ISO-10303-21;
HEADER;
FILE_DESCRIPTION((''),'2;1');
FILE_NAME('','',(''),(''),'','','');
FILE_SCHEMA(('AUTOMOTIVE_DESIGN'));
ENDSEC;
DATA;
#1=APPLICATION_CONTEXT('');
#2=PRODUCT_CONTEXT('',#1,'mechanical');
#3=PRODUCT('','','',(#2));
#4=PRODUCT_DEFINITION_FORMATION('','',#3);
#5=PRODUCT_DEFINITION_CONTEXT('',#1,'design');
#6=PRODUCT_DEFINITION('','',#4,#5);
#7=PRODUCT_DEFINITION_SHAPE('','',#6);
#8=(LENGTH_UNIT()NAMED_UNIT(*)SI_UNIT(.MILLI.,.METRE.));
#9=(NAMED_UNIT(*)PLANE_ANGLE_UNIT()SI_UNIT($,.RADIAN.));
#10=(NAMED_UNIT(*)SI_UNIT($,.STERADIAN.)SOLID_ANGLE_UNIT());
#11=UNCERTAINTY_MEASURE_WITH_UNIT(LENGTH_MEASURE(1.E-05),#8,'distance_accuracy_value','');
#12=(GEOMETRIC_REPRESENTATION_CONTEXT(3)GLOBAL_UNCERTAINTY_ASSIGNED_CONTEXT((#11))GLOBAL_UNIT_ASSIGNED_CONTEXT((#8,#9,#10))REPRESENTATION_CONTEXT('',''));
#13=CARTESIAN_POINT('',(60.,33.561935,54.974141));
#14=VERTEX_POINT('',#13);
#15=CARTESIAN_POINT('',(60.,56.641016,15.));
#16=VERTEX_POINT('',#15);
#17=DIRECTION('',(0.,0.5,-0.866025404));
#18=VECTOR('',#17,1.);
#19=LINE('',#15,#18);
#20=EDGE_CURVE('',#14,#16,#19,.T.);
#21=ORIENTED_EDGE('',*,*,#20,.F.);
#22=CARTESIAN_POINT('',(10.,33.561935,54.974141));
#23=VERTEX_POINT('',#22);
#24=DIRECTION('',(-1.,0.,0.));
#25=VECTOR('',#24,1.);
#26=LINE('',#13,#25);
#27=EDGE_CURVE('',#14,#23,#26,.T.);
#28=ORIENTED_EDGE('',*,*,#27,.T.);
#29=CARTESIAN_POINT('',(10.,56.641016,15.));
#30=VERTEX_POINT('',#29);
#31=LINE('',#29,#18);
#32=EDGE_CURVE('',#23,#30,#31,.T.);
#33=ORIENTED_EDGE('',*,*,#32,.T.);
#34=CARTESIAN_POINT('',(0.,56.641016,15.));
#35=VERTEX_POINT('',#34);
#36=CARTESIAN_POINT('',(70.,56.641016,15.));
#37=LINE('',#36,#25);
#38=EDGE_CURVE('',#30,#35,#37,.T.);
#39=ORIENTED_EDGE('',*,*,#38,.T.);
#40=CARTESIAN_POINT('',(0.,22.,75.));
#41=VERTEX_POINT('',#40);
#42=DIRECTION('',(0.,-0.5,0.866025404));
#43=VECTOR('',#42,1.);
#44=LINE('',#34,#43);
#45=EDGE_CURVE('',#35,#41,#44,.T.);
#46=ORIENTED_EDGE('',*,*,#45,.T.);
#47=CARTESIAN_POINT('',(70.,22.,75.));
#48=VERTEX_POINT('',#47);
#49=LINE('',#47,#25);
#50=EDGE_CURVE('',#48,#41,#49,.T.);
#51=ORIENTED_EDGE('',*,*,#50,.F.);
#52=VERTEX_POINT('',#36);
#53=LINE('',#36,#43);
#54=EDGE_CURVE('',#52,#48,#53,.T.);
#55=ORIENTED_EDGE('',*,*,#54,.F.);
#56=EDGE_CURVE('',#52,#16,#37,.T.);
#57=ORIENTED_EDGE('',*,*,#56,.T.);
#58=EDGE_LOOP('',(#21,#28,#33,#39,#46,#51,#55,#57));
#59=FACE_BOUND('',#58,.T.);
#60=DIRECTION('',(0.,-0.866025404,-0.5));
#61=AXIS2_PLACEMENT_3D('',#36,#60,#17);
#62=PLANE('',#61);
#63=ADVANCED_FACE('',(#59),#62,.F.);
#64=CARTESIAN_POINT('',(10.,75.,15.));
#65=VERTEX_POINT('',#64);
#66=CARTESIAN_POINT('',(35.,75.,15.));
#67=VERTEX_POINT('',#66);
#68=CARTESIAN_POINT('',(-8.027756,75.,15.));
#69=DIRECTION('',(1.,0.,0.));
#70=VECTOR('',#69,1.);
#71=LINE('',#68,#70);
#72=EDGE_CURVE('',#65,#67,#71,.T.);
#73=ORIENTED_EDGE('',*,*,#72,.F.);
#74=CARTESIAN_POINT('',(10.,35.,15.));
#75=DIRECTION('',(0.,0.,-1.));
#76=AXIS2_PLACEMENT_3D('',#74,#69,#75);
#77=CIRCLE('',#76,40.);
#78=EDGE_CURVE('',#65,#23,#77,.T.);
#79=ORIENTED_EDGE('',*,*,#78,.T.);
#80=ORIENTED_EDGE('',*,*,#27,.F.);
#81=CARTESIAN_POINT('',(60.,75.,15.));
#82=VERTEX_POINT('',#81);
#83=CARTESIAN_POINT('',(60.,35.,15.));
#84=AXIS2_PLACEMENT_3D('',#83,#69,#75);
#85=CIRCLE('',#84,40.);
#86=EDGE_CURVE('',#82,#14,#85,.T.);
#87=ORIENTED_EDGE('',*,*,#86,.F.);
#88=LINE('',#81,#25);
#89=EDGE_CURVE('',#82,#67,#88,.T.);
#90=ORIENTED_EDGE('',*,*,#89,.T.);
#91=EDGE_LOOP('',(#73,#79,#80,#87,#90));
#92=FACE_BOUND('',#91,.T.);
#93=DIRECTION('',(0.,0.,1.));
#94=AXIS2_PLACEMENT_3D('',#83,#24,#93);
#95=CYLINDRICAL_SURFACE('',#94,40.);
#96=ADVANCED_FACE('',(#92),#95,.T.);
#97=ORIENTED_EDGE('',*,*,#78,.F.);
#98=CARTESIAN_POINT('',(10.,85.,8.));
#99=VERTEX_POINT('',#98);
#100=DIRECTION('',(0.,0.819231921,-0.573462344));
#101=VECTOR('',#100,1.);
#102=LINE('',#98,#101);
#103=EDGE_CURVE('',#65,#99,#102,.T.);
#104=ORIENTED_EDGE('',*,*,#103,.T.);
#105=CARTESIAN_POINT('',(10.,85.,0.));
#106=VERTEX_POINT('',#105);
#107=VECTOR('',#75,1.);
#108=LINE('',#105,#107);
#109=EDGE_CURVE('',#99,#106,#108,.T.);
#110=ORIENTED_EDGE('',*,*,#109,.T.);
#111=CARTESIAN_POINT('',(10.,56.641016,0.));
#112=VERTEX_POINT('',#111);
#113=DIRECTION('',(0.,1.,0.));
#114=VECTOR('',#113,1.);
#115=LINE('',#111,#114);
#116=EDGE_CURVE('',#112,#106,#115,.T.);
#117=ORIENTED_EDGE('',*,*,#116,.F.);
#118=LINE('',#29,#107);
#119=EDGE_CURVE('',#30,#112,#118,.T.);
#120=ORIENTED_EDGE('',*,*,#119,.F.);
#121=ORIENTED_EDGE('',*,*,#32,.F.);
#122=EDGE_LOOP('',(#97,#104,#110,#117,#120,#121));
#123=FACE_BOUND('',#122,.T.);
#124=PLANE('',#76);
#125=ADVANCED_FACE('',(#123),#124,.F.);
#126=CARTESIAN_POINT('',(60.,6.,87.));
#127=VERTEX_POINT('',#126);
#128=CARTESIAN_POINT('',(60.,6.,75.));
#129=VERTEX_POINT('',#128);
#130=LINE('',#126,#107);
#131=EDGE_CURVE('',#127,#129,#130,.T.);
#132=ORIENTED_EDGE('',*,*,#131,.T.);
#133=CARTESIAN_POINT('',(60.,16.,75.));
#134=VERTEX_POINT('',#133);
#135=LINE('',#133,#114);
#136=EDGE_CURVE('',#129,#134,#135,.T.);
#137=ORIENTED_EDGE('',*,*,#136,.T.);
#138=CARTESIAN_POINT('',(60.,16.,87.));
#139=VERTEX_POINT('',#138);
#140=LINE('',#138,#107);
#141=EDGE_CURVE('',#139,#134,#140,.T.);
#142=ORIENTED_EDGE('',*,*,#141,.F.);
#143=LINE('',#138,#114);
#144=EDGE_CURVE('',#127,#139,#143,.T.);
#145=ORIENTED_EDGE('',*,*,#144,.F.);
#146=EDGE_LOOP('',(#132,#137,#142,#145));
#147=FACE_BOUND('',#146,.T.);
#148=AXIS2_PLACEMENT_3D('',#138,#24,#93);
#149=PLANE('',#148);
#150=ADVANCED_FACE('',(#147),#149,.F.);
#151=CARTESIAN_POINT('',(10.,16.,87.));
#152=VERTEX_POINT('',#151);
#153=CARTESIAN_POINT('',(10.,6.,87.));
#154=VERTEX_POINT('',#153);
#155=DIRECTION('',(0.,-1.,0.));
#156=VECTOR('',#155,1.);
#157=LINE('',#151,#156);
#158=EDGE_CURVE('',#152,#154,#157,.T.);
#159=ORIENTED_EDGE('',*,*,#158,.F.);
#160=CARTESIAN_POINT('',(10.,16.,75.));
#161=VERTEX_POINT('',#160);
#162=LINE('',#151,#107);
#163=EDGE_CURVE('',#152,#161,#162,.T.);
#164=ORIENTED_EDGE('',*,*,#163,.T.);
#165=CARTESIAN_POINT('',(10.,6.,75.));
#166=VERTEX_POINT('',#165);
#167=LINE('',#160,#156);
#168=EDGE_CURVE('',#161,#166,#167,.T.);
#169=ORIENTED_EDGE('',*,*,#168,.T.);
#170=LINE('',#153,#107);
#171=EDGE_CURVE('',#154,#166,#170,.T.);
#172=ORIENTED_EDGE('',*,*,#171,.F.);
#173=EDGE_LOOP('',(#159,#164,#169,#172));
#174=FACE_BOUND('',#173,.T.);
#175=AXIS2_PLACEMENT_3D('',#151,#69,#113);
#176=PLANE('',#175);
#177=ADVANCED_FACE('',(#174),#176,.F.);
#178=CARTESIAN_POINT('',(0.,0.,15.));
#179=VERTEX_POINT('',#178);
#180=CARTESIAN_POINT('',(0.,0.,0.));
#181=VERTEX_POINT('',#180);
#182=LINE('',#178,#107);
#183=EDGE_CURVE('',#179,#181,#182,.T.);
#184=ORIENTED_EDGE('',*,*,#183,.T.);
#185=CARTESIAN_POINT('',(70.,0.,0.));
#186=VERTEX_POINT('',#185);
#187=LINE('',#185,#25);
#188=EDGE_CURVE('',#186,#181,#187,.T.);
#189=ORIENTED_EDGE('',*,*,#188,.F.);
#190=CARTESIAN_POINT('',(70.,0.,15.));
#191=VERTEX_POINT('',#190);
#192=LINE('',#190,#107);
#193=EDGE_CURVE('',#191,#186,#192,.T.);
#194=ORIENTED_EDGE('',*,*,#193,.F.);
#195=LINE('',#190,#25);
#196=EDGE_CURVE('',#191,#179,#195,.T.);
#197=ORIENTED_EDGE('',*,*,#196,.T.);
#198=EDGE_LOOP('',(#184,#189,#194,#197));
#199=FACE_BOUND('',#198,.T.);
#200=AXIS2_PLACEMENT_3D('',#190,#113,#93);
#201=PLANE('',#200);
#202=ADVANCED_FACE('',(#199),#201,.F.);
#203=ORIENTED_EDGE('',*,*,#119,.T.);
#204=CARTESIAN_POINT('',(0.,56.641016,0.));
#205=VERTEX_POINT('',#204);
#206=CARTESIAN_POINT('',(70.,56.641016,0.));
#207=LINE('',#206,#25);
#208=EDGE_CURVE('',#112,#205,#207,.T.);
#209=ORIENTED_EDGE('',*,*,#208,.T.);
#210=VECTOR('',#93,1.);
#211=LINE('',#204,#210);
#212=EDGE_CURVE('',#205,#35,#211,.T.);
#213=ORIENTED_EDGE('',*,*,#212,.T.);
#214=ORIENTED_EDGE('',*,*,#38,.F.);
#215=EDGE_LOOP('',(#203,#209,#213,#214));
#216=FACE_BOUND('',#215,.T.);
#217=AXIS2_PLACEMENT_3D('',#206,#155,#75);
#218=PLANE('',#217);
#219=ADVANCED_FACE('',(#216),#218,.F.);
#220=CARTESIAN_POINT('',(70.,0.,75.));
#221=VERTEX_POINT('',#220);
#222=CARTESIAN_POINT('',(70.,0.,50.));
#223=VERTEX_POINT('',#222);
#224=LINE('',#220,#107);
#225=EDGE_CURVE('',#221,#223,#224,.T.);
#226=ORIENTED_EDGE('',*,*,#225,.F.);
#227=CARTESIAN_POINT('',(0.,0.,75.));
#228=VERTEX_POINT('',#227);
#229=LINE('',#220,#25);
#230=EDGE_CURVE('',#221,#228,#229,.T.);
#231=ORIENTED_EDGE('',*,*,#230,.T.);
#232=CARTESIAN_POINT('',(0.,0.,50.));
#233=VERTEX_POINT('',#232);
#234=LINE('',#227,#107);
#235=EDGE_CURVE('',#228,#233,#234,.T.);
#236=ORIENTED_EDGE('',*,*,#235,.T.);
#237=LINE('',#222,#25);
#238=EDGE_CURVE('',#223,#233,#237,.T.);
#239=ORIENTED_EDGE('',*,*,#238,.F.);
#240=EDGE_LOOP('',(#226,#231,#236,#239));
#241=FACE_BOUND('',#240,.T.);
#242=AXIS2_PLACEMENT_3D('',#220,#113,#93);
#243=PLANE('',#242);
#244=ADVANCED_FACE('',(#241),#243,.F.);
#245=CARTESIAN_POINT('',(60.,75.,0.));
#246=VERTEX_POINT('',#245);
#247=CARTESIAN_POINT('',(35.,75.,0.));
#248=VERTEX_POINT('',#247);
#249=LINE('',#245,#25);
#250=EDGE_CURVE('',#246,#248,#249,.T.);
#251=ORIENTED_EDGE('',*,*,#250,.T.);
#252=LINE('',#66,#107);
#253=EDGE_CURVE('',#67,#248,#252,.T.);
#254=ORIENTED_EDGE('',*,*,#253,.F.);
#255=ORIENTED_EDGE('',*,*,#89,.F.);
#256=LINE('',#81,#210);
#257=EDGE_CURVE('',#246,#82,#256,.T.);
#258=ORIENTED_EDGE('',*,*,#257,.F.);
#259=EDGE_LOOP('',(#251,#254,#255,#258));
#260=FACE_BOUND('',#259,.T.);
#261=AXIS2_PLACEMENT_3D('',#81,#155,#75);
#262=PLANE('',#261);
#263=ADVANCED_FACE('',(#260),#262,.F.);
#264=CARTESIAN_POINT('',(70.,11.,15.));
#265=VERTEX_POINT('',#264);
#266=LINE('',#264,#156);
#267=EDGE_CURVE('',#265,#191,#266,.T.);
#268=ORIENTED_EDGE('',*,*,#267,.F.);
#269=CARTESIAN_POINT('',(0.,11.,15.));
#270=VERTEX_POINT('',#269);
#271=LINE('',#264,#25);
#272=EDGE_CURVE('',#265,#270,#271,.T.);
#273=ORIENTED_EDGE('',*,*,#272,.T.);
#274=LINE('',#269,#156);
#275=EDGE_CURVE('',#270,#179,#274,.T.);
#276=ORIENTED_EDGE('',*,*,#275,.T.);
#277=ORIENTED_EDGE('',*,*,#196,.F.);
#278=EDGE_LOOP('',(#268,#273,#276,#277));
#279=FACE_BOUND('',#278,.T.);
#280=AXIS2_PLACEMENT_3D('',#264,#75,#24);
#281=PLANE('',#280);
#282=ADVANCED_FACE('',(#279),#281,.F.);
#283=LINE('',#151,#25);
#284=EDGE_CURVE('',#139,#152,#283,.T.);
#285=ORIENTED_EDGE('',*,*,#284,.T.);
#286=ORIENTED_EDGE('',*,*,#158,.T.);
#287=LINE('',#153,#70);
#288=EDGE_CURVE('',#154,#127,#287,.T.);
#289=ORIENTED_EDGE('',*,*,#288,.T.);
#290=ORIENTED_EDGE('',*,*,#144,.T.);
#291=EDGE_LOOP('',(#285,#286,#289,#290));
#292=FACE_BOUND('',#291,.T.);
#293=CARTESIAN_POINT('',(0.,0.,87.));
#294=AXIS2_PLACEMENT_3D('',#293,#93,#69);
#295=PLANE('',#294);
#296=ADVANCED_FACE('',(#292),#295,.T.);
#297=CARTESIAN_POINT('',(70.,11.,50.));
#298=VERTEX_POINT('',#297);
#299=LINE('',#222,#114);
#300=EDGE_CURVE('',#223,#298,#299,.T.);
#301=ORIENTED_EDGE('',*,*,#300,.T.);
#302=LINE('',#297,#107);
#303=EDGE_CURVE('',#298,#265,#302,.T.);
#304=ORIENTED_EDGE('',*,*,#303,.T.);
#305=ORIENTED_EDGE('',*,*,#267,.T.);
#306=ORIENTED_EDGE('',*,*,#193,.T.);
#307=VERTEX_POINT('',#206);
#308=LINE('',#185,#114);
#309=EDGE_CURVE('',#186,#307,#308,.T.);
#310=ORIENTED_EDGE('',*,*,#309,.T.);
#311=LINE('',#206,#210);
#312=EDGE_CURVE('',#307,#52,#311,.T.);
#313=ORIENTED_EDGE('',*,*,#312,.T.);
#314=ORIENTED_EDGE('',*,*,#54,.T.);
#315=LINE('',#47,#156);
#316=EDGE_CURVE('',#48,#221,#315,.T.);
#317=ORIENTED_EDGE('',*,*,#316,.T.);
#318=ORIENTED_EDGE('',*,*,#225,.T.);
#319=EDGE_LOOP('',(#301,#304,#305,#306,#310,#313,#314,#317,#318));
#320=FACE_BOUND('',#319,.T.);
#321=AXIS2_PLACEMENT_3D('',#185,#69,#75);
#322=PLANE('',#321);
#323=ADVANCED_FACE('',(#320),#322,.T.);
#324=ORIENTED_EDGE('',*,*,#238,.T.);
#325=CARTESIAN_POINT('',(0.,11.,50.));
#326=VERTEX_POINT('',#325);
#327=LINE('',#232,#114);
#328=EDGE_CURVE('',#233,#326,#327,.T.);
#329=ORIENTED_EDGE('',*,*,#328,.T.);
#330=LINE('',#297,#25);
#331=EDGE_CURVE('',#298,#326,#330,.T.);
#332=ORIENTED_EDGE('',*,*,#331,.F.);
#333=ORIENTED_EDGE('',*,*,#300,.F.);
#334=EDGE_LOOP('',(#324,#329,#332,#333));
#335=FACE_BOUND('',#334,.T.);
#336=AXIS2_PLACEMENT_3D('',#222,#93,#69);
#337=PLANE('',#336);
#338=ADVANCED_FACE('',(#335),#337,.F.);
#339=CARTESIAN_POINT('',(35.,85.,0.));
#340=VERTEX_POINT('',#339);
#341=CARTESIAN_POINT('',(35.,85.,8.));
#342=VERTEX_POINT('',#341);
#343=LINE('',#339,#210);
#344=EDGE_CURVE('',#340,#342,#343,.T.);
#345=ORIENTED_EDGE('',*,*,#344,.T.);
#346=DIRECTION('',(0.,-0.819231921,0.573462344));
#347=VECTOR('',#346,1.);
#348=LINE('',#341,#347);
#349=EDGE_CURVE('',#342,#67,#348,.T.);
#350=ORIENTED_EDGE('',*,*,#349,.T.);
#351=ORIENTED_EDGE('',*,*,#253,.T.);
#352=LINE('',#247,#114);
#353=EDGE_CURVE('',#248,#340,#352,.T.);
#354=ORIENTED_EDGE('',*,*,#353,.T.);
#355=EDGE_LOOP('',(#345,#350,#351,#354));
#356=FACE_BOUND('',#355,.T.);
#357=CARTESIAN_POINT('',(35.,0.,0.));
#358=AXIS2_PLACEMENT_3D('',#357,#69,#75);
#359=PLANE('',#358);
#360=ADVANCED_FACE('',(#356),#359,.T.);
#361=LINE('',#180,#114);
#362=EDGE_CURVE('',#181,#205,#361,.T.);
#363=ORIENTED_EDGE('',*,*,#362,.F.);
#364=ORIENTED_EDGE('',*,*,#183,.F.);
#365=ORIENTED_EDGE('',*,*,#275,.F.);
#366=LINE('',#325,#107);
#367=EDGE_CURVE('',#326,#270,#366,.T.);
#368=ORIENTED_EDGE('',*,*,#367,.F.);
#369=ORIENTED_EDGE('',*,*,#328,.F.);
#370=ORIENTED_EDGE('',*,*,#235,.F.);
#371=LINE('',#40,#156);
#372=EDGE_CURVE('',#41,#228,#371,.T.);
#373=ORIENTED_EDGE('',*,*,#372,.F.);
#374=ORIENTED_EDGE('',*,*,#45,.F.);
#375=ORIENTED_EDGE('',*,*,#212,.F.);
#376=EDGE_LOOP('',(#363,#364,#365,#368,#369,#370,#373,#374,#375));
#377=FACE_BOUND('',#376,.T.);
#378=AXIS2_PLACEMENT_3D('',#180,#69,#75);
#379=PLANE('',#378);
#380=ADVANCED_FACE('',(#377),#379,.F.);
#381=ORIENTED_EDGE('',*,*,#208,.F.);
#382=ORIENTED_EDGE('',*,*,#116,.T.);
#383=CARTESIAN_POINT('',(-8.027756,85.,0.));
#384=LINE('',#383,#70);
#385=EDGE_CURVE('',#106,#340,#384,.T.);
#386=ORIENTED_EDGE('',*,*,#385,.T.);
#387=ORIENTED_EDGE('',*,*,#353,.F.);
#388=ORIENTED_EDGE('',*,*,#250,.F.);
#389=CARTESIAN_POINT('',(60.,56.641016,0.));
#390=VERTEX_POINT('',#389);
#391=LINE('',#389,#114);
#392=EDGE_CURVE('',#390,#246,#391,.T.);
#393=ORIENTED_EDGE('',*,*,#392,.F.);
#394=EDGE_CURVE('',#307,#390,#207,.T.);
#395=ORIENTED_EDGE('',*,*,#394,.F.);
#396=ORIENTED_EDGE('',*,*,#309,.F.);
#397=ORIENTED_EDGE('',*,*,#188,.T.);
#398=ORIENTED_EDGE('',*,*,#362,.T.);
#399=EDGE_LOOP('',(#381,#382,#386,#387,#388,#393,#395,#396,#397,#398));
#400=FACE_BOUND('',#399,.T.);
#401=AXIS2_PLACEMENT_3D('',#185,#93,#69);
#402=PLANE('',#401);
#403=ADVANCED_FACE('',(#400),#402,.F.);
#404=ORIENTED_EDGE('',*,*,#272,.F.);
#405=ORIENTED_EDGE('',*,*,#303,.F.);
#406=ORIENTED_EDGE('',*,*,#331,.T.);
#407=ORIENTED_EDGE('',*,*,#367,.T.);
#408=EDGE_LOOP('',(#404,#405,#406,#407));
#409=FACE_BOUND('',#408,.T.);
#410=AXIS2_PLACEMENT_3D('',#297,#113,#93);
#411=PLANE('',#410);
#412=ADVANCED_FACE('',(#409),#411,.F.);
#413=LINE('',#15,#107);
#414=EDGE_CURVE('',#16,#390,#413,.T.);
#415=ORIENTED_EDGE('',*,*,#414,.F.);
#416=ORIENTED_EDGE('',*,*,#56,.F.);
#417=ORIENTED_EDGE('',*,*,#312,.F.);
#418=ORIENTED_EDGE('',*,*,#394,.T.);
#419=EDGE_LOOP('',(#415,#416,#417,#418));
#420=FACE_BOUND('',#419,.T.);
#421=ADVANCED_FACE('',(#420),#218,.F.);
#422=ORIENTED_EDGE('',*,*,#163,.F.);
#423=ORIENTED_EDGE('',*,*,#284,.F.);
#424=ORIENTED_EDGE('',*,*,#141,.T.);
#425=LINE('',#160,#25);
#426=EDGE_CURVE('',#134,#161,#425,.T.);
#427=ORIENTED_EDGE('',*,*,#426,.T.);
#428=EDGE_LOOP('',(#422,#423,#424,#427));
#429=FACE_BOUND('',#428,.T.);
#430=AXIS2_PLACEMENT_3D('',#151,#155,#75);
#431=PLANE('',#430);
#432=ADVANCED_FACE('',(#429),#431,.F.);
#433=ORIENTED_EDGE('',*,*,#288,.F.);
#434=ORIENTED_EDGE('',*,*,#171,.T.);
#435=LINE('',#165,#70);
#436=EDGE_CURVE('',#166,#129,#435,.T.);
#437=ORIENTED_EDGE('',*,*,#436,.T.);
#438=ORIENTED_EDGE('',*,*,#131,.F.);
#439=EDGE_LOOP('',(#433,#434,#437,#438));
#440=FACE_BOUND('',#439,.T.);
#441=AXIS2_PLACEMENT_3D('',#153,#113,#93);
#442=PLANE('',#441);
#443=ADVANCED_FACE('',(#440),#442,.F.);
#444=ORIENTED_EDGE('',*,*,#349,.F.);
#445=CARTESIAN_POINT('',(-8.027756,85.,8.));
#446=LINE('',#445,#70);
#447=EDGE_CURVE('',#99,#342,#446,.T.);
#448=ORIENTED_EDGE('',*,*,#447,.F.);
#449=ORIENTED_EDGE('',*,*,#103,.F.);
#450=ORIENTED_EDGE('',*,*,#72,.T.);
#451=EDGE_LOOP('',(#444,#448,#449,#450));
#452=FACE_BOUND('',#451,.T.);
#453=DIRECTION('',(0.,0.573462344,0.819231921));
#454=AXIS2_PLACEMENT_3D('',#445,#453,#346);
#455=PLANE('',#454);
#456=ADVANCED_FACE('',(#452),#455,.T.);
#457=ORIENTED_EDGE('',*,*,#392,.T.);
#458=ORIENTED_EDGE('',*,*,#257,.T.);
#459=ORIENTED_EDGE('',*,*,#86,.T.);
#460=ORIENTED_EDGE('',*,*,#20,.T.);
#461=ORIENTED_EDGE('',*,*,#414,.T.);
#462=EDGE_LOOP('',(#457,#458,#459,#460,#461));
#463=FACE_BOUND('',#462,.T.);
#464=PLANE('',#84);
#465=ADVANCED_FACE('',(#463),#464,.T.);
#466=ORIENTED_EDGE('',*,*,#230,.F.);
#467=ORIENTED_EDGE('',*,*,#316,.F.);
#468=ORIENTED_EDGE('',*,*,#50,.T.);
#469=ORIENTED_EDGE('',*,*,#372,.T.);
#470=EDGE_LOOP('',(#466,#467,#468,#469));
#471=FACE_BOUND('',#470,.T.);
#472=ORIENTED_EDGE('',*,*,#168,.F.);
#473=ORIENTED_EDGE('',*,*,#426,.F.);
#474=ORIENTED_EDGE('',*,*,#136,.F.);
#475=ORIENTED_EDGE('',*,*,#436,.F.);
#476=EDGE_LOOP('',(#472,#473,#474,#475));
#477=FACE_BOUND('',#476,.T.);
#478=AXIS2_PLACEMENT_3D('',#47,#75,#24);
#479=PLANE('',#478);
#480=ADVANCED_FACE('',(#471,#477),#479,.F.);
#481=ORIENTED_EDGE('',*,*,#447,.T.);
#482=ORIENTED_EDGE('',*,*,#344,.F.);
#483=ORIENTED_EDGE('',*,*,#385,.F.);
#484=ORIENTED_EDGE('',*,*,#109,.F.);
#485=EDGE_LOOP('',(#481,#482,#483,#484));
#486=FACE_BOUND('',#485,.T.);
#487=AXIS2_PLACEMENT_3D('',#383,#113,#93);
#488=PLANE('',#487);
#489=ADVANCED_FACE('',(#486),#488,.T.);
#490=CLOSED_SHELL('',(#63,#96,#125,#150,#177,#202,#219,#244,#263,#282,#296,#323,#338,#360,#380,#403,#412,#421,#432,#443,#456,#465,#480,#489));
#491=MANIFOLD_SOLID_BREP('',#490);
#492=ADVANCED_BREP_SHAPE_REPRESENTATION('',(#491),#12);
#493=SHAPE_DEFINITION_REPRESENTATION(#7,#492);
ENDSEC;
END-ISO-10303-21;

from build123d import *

# Parameters (mm, degrees)
BOSS_EXTRUDE1_DEPTH = 70
SKETCH2_W           = 50
SKETCH2_H           = 10
BOSS_EXTRUDE2_DEPTH = 12
BOSS_EXTRUDE3_DEPTH = 25
BOSS_EXTRUDE4_DEPTH = 25


with BuildPart() as part:
    # Sketch1 → Boss-Extrude1 (new body)
    with BuildSketch(Plane(origin=(0, 0, 0), x_dir=(0, 0, -1), z_dir=(1, 0, 0))):
        Polygon((0, 0), (0, 56.641016151), (-15, 56.641016151), (-75, 22), (-75, 0), (-50, 0), (-50, 11), (-15, 11), (-15, 0), align=None)
    extrude(amount=BOSS_EXTRUDE1_DEPTH)

    # Sketch2 → Boss-Extrude2 (add)
    with BuildSketch(Plane.XY.offset(75)):
        with Locations((35, 11)):
            Rectangle(SKETCH2_W, SKETCH2_H)
    extrude(amount=BOSS_EXTRUDE2_DEPTH)

    # Sketch3 → Boss-Extrude3 (add, symmetric)
    with BuildSketch(Plane(origin=(35, 0, 0), x_dir=(0, 0, -1), z_dir=(1, 0, 0))):
        with BuildLine():
            Line((-15, 75), (0, 75))
            Line((0, 75), (0, 56.641016151))
            Line((0, 56.641016151), (-15, 56.641016151))
            Line((-15, 56.641016151), (-54.974141253, 33.561934939))
            ThreePointArc((-54.974141253, 33.561934939), (-43.788214624, 62.771184684), (-15, 75))
        make_face()
    extrude(amount=BOSS_EXTRUDE3_DEPTH, both=True)

    # Sketch4 → Boss-Extrude4 (add)
    with BuildSketch(Plane(origin=(35, 0, 0), x_dir=(0, 0, -1), z_dir=(1, 0, 0))):
        Polygon((0, 75), (0, 85), (-8, 85), (-15, 75), align=None)
    extrude(amount=-BOSS_EXTRUDE4_DEPTH)


solid = part.part
